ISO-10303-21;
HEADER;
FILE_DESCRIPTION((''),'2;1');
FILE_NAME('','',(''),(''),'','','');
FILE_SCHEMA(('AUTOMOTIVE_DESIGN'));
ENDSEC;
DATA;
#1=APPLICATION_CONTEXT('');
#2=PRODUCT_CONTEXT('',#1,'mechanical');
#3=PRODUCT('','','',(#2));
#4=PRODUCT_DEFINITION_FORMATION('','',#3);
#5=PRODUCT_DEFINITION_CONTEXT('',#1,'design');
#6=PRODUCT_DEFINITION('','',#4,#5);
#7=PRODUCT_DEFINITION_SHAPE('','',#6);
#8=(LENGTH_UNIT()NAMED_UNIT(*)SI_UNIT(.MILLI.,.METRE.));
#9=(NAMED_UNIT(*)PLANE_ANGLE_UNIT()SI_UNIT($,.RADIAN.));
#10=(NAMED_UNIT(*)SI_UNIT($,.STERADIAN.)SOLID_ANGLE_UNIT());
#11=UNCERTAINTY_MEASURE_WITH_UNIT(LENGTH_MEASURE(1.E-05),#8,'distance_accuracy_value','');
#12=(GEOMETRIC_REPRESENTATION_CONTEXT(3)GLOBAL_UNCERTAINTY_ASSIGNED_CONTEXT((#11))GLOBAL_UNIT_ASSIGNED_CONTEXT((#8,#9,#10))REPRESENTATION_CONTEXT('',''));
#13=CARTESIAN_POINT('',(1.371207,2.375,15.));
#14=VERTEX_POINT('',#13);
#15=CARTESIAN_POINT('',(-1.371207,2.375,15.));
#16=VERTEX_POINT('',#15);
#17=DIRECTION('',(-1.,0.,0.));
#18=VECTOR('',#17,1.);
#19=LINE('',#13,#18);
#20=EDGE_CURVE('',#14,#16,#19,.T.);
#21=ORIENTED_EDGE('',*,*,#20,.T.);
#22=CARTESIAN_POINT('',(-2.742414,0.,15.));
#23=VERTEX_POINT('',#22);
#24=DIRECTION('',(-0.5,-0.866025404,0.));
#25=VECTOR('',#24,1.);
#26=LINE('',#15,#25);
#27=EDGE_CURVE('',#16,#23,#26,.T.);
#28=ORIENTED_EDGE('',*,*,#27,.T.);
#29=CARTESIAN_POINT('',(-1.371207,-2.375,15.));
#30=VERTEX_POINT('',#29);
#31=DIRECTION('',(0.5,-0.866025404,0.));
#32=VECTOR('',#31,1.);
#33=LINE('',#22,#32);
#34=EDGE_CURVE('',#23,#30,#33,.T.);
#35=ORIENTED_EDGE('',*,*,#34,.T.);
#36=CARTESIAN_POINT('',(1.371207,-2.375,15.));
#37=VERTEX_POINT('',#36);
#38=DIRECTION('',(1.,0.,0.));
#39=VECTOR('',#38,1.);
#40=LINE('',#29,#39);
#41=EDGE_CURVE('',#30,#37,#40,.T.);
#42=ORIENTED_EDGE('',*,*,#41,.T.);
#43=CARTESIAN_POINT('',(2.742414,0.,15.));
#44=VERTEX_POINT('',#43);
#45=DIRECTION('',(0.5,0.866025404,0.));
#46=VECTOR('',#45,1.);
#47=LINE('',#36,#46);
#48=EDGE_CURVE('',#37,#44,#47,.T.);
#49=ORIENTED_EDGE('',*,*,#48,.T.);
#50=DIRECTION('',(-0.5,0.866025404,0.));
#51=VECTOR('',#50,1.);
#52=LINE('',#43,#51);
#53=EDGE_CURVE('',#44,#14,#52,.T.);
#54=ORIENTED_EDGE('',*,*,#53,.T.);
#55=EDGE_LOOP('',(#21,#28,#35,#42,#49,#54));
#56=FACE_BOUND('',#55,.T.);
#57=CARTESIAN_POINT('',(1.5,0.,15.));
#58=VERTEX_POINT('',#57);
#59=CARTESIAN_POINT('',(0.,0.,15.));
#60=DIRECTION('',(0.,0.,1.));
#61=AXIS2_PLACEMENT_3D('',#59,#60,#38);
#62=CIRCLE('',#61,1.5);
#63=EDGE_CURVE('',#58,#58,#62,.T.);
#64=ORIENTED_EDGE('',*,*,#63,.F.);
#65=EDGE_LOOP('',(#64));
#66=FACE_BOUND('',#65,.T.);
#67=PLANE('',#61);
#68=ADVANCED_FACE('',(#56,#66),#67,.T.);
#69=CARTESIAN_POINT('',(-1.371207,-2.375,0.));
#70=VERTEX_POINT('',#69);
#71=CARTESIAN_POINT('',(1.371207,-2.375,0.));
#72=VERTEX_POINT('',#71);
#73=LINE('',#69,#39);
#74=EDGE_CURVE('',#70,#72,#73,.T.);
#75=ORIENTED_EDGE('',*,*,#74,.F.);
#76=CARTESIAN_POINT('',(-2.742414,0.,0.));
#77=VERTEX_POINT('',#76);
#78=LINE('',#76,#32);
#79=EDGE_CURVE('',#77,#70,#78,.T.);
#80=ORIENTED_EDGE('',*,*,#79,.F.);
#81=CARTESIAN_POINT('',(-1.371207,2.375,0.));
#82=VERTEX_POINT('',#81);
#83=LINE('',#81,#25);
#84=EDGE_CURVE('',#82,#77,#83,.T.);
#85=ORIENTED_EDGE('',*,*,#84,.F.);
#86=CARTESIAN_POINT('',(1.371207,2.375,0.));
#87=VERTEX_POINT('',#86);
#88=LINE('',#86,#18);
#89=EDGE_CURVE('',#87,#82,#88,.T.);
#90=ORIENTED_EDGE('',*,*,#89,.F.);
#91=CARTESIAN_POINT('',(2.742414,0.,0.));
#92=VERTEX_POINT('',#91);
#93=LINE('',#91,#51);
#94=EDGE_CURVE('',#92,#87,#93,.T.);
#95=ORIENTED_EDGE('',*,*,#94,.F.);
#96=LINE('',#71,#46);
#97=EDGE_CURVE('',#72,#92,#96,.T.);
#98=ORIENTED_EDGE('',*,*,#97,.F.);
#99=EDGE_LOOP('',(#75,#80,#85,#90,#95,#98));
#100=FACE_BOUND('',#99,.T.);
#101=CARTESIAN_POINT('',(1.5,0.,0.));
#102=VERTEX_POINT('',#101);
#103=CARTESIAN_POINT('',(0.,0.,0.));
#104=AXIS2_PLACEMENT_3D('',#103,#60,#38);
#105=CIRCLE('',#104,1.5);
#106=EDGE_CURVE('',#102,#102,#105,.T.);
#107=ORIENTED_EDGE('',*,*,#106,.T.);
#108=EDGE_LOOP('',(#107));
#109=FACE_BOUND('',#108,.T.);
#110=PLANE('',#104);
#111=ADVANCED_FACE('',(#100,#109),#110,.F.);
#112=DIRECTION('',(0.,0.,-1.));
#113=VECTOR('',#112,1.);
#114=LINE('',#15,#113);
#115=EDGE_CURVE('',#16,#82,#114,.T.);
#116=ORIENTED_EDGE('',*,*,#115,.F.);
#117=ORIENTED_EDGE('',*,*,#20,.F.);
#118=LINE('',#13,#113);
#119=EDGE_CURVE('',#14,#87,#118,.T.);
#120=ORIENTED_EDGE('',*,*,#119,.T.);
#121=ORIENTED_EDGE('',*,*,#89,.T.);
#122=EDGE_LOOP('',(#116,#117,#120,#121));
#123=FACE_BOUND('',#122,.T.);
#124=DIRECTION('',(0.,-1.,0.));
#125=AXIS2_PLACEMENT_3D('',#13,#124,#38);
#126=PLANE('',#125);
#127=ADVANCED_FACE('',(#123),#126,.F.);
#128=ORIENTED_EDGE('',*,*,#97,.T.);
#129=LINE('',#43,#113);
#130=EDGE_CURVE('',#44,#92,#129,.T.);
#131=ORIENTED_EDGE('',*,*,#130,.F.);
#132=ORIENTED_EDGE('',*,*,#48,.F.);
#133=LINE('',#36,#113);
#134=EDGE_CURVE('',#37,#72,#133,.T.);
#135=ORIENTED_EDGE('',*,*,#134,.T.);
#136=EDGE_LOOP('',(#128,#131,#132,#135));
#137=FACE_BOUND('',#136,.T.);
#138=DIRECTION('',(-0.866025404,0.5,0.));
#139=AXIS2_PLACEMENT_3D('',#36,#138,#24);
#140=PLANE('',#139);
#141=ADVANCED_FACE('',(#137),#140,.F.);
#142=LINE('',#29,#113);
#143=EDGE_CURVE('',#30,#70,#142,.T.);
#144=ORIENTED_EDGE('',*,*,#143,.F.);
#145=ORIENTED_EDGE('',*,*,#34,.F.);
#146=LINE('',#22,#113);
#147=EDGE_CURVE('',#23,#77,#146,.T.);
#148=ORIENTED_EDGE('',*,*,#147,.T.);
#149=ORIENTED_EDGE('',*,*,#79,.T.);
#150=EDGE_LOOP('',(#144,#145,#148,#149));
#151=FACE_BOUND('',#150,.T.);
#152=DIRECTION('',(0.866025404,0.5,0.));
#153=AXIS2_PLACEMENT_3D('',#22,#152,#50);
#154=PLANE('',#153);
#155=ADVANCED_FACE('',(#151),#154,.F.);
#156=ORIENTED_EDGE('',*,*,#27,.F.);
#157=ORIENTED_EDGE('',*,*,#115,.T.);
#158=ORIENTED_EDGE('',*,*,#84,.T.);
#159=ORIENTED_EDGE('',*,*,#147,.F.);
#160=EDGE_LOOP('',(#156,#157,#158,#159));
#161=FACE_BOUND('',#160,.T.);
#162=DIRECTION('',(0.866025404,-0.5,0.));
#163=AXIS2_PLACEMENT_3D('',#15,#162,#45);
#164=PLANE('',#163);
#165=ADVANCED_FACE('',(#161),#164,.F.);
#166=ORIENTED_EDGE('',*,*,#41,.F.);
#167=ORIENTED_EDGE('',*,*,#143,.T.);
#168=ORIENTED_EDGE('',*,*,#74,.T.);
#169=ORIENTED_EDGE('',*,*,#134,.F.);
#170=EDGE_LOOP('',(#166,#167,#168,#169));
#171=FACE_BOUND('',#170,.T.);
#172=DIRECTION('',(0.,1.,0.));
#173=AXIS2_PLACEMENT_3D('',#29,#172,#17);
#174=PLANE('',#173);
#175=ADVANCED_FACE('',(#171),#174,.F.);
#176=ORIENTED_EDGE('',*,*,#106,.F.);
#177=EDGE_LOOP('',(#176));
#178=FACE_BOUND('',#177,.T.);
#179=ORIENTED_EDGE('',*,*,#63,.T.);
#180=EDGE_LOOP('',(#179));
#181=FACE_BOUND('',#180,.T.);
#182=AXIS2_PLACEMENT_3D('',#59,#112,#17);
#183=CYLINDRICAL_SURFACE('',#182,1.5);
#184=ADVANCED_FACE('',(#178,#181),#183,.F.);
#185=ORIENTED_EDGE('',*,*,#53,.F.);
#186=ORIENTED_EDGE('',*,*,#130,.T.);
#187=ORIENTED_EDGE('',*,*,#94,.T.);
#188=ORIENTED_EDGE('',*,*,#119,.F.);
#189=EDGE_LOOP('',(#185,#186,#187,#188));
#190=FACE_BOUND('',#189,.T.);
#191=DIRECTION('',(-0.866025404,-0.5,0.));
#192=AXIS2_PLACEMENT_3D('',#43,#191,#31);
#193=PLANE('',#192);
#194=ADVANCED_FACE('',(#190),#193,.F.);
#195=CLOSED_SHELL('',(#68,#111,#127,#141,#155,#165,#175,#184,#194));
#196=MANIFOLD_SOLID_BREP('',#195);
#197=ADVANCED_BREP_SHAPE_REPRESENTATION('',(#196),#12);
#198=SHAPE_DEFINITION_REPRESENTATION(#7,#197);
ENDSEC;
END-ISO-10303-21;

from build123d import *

# Parameters (mm, degrees)
SKETCH_1_R      = 1.5
EXTRUDE_1_DEPTH = 15


with BuildPart() as part:
    # 草图1 → 凸台-拉伸1 (new body)
    with BuildSketch(Plane.XY):
        Polygon((2.742413779, 0), (1.371206889, 2.375), (-1.371206889, 2.375), (-2.742413779, 0), (-1.371206889, -2.375), (1.371206889, -2.375), align=None)
        Circle(SKETCH_1_R, mode=Mode.SUBTRACT)
    extrude(amount=EXTRUDE_1_DEPTH)


solid = part.part
